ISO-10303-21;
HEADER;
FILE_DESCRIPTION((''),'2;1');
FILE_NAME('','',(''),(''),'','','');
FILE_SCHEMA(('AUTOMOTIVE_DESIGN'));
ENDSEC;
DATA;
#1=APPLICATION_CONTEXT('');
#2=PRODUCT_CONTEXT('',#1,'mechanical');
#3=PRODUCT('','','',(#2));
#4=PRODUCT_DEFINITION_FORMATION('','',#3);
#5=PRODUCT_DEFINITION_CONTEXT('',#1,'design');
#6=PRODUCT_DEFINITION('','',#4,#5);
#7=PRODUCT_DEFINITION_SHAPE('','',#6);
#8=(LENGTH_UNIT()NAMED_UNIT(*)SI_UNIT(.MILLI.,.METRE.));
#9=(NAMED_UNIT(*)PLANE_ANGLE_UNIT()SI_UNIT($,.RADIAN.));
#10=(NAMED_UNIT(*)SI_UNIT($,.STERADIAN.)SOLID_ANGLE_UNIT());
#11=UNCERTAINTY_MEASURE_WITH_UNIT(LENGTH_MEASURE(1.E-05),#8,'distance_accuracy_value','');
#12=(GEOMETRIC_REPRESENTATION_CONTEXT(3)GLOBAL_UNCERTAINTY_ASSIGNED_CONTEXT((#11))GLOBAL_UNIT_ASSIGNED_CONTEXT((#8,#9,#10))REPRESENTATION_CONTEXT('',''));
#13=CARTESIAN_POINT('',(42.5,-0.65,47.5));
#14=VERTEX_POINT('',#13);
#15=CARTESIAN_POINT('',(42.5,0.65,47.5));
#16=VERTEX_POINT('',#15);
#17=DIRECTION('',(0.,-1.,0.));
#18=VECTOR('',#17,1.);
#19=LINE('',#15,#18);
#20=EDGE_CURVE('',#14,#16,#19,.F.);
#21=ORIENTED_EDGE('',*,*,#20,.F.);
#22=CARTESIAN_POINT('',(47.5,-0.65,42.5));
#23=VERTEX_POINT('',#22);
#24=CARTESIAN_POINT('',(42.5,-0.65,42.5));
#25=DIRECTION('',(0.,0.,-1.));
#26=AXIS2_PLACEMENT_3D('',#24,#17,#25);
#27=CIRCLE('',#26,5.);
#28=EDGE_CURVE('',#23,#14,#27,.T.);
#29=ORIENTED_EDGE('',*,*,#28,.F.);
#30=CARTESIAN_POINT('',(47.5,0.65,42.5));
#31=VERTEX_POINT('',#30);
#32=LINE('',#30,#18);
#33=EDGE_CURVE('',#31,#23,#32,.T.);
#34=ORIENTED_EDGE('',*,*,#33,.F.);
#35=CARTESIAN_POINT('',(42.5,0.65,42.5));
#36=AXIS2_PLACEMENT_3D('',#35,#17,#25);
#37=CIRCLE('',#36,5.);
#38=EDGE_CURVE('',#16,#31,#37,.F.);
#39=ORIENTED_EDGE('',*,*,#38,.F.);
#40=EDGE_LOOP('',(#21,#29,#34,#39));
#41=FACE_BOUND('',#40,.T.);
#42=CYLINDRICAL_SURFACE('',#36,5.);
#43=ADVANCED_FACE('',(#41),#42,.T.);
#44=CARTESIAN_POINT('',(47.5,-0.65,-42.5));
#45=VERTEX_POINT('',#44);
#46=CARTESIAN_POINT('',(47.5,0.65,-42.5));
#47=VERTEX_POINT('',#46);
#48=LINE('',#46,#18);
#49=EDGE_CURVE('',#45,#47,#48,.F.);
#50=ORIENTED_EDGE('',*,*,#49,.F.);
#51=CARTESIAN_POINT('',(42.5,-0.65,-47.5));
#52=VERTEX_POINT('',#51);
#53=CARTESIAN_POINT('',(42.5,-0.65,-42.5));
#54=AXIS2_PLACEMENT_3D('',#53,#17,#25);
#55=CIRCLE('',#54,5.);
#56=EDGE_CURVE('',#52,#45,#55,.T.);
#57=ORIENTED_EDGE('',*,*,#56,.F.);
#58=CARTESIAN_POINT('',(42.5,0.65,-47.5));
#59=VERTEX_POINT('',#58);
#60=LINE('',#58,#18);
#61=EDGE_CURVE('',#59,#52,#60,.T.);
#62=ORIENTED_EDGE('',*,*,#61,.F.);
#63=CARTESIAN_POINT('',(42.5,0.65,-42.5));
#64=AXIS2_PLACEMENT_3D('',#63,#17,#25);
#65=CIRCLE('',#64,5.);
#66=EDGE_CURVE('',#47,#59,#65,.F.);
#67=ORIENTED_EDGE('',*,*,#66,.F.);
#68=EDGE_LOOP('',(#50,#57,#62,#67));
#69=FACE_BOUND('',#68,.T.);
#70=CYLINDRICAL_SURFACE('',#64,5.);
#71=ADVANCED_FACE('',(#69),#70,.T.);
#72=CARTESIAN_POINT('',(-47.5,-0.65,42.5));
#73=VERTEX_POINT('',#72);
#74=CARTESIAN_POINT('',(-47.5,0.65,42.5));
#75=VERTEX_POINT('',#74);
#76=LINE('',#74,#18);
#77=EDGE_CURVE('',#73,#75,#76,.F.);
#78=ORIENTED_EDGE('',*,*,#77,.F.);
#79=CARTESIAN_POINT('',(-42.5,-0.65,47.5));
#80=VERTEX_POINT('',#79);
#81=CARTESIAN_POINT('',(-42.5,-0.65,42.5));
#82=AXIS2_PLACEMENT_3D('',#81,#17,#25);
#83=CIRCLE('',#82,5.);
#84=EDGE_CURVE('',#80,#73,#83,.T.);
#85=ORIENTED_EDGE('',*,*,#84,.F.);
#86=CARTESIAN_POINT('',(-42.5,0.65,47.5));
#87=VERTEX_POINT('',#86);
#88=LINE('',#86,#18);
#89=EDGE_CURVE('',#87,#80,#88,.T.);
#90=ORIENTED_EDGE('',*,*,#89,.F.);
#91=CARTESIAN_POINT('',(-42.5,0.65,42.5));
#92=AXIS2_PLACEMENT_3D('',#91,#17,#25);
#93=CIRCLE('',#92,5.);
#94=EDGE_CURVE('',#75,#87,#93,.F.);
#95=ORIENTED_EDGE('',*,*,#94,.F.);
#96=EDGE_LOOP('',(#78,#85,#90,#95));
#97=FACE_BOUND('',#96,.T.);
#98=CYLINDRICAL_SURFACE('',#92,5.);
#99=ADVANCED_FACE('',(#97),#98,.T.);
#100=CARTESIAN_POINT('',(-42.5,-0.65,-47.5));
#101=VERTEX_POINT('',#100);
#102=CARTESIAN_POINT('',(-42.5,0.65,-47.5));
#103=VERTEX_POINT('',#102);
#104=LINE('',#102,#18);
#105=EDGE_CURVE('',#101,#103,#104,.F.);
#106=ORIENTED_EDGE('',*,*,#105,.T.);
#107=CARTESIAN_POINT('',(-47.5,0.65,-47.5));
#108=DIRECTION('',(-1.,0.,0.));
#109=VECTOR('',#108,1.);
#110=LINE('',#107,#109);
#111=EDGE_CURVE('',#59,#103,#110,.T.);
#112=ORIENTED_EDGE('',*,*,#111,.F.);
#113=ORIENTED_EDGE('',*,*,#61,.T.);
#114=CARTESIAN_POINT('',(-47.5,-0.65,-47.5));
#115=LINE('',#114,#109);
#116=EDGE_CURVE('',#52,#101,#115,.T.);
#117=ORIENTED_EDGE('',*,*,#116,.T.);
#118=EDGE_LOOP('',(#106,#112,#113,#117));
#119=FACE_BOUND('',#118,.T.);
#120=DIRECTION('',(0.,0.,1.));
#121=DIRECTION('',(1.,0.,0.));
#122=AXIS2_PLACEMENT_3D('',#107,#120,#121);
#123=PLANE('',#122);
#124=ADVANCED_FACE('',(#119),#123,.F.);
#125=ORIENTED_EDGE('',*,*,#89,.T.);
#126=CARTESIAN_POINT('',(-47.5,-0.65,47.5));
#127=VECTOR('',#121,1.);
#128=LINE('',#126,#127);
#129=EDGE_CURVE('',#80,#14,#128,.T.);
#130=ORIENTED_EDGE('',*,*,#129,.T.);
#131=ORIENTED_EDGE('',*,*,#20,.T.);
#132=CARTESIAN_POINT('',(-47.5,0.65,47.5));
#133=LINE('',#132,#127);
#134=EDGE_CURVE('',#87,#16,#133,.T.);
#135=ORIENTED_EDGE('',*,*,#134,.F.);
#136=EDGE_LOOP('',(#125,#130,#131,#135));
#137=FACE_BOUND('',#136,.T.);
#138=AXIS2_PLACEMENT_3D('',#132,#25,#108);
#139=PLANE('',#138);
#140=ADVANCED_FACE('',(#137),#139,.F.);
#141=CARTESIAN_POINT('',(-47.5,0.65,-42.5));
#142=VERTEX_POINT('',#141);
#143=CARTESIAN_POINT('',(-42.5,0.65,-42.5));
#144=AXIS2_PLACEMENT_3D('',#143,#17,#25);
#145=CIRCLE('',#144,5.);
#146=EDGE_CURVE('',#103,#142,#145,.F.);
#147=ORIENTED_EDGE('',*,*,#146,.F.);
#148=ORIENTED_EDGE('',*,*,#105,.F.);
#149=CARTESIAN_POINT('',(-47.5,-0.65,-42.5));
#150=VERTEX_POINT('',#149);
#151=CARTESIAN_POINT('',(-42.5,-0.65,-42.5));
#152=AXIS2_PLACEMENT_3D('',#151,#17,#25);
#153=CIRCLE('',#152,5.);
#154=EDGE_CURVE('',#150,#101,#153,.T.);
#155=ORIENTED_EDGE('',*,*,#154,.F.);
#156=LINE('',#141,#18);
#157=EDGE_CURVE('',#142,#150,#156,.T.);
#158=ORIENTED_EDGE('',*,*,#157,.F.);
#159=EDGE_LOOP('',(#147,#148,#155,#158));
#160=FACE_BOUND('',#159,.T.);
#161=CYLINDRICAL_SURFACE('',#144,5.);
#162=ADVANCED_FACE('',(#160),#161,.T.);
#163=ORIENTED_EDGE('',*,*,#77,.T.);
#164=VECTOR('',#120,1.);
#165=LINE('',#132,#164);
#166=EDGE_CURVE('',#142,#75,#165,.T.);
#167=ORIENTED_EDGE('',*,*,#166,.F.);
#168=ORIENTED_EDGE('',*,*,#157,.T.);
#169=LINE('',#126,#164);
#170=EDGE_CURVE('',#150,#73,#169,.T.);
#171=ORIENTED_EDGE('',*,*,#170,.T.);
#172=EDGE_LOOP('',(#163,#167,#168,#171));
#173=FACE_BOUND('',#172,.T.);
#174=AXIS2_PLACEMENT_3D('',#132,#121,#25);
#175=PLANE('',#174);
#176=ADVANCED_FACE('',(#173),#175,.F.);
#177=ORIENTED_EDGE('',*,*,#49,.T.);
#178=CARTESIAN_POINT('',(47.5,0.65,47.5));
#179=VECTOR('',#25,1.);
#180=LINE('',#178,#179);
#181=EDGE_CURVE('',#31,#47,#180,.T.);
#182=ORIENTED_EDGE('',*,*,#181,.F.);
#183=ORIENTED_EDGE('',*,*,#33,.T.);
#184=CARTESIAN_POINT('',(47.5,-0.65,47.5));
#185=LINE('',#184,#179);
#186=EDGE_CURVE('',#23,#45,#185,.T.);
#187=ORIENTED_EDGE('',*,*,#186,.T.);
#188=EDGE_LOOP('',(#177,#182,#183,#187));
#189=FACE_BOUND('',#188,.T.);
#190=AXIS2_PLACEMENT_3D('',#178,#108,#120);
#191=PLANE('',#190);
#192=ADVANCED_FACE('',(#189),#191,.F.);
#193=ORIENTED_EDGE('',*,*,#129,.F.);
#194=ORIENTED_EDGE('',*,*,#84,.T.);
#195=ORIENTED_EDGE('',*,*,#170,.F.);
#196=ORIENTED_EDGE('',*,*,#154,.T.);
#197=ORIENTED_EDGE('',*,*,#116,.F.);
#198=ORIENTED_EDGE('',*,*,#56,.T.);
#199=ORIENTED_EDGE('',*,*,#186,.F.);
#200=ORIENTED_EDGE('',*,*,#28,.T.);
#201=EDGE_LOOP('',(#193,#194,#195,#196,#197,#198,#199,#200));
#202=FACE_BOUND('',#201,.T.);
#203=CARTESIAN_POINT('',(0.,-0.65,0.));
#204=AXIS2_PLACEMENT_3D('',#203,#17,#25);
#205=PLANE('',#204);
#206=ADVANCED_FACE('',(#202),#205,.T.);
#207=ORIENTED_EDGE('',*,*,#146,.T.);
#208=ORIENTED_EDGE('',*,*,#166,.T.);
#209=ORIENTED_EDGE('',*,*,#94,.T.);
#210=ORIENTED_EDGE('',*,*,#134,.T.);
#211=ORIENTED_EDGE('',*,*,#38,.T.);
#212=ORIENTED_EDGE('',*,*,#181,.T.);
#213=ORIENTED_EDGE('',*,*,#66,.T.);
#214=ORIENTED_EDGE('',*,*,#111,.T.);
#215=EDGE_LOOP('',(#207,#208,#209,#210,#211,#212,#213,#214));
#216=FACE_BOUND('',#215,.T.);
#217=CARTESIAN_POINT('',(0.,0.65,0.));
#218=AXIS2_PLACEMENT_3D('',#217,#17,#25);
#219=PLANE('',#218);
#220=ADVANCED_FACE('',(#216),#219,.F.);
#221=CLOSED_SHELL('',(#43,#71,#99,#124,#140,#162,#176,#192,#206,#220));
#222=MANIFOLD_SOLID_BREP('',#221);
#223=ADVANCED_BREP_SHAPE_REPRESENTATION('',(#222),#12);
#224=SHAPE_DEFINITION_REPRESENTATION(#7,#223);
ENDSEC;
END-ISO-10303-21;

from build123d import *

# Parameters (mm, degrees)
SKETCH1_W           = 95
SKETCH1_H           = 95
BOSS_EXTRUDE1_DEPTH = 0.65
FILLET1_R           = 5


with BuildPart() as part:
    # Sketch1 → Boss-Extrude1 (new, symmetric)
    with BuildSketch(Plane(origin=(0, 0, 0), x_dir=(1, 0, 0), z_dir=(0, 1, 0))):
        Rectangle(SKETCH1_W, SKETCH1_H)
    extrude(amount=BOSS_EXTRUDE1_DEPTH, both=True)

    # Fillet1
    fillet1_edges = [part.edges().sort_by_distance(p)[0] for p in [
        (47.5, 0, 47.5),
        (-47.5, 0, 47.5),
        (-47.5, 0, -47.5),
        (47.5, 0, -47.5),
    ]]
    fillet(fillet1_edges, radius=FILLET1_R)


solid = part.part
